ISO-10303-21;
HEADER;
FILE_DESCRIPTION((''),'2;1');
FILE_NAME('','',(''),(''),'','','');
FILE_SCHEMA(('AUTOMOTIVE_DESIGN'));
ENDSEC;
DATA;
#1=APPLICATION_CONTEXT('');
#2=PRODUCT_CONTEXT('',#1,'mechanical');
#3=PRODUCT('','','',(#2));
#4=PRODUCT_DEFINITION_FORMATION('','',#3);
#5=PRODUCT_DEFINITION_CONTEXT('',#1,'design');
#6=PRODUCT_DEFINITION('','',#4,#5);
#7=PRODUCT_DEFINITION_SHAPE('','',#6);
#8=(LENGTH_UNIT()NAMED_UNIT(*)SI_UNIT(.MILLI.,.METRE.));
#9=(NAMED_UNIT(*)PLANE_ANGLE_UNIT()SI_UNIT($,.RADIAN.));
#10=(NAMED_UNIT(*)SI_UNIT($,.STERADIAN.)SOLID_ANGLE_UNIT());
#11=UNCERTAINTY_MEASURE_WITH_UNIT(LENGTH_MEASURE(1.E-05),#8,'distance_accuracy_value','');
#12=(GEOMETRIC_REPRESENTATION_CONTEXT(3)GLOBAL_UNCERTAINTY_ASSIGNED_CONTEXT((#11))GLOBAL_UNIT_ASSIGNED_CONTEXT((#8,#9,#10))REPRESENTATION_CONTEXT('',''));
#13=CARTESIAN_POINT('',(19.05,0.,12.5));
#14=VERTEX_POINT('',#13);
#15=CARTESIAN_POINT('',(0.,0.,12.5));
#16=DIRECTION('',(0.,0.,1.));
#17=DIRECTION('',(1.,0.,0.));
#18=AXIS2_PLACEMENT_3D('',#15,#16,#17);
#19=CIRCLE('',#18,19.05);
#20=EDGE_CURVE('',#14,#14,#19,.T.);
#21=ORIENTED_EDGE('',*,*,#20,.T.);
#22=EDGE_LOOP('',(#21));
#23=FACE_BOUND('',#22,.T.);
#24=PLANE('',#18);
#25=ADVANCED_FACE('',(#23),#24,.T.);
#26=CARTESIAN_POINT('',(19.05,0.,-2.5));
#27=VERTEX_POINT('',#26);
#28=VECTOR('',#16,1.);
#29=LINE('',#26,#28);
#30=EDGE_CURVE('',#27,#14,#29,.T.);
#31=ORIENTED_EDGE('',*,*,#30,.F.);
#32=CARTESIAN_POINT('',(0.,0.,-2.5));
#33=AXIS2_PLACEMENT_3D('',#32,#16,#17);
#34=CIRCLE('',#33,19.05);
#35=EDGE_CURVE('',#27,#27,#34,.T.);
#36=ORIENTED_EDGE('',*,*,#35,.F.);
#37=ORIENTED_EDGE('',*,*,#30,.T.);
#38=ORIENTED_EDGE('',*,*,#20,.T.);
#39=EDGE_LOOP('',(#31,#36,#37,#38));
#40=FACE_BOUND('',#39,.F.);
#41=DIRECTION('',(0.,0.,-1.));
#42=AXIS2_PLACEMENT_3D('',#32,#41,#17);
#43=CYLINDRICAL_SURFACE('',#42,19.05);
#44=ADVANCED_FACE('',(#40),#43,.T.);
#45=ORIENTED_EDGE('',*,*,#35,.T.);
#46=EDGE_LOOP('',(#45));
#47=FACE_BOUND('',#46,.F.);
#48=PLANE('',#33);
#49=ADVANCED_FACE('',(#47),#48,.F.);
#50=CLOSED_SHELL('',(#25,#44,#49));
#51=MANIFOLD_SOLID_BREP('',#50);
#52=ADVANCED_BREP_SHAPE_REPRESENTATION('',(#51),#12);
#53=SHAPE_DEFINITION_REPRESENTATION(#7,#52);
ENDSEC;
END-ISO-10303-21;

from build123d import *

# Parameters (mm, degrees)
CYLINDER_R     = 19.05
CYLINDER_DEPTH = 15


with BuildPart() as part:
    # Cylinder → Cylinder (new body)
    with BuildSketch(Plane.XY.offset(-2.5)):
        Circle(CYLINDER_R)
    extrude(amount=CYLINDER_DEPTH)


solid = part.part
